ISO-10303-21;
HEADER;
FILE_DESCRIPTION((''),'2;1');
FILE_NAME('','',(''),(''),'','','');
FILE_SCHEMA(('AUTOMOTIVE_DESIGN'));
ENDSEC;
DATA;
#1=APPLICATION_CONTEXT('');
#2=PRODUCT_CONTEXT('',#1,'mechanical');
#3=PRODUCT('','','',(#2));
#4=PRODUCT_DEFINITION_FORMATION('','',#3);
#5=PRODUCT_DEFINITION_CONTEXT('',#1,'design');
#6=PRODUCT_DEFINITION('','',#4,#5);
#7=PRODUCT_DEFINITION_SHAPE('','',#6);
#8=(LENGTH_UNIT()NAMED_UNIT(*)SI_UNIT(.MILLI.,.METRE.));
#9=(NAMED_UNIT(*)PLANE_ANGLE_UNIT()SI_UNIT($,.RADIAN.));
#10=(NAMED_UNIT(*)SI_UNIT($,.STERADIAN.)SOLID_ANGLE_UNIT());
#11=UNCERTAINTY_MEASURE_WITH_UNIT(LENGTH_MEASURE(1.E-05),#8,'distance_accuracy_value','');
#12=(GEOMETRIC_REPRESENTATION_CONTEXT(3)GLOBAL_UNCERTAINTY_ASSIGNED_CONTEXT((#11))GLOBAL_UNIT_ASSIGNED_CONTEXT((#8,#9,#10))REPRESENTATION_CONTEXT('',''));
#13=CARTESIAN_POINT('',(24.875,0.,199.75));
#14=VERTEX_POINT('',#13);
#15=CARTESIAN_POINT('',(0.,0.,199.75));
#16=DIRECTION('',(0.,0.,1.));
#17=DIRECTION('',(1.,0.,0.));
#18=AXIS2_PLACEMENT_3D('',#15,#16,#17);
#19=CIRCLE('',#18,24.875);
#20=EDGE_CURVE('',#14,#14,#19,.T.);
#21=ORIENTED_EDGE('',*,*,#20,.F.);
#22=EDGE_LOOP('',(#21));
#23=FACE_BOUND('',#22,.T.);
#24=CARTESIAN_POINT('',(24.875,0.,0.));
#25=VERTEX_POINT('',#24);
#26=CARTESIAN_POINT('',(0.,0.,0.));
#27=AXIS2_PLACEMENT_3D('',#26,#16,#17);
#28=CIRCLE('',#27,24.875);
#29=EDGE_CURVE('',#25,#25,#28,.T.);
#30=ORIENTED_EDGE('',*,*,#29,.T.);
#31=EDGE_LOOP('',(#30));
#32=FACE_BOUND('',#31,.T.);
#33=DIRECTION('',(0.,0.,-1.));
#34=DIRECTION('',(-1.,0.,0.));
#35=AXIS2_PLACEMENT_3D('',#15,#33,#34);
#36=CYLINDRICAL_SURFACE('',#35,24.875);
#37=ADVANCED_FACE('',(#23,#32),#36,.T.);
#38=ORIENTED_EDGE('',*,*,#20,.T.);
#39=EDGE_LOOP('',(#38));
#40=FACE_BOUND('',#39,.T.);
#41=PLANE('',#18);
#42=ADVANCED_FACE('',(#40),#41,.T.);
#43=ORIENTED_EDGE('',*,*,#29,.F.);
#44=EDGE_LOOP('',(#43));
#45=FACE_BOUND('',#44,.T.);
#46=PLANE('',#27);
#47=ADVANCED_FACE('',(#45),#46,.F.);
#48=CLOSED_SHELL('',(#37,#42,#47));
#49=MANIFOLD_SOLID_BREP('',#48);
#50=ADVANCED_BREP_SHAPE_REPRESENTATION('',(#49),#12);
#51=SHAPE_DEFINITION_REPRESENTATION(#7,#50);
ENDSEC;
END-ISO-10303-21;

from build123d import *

# Parameters (mm, degrees)
SKETCH1_R           = 24.875
BOSS_EXTRUDE1_DEPTH = 199.75


with BuildPart() as part:
    # Sketch1 → Boss-Extrude1 (new body)
    with BuildSketch(Plane.XY):
        Circle(SKETCH1_R)
    extrude(amount=BOSS_EXTRUDE1_DEPTH)


solid = part.part
